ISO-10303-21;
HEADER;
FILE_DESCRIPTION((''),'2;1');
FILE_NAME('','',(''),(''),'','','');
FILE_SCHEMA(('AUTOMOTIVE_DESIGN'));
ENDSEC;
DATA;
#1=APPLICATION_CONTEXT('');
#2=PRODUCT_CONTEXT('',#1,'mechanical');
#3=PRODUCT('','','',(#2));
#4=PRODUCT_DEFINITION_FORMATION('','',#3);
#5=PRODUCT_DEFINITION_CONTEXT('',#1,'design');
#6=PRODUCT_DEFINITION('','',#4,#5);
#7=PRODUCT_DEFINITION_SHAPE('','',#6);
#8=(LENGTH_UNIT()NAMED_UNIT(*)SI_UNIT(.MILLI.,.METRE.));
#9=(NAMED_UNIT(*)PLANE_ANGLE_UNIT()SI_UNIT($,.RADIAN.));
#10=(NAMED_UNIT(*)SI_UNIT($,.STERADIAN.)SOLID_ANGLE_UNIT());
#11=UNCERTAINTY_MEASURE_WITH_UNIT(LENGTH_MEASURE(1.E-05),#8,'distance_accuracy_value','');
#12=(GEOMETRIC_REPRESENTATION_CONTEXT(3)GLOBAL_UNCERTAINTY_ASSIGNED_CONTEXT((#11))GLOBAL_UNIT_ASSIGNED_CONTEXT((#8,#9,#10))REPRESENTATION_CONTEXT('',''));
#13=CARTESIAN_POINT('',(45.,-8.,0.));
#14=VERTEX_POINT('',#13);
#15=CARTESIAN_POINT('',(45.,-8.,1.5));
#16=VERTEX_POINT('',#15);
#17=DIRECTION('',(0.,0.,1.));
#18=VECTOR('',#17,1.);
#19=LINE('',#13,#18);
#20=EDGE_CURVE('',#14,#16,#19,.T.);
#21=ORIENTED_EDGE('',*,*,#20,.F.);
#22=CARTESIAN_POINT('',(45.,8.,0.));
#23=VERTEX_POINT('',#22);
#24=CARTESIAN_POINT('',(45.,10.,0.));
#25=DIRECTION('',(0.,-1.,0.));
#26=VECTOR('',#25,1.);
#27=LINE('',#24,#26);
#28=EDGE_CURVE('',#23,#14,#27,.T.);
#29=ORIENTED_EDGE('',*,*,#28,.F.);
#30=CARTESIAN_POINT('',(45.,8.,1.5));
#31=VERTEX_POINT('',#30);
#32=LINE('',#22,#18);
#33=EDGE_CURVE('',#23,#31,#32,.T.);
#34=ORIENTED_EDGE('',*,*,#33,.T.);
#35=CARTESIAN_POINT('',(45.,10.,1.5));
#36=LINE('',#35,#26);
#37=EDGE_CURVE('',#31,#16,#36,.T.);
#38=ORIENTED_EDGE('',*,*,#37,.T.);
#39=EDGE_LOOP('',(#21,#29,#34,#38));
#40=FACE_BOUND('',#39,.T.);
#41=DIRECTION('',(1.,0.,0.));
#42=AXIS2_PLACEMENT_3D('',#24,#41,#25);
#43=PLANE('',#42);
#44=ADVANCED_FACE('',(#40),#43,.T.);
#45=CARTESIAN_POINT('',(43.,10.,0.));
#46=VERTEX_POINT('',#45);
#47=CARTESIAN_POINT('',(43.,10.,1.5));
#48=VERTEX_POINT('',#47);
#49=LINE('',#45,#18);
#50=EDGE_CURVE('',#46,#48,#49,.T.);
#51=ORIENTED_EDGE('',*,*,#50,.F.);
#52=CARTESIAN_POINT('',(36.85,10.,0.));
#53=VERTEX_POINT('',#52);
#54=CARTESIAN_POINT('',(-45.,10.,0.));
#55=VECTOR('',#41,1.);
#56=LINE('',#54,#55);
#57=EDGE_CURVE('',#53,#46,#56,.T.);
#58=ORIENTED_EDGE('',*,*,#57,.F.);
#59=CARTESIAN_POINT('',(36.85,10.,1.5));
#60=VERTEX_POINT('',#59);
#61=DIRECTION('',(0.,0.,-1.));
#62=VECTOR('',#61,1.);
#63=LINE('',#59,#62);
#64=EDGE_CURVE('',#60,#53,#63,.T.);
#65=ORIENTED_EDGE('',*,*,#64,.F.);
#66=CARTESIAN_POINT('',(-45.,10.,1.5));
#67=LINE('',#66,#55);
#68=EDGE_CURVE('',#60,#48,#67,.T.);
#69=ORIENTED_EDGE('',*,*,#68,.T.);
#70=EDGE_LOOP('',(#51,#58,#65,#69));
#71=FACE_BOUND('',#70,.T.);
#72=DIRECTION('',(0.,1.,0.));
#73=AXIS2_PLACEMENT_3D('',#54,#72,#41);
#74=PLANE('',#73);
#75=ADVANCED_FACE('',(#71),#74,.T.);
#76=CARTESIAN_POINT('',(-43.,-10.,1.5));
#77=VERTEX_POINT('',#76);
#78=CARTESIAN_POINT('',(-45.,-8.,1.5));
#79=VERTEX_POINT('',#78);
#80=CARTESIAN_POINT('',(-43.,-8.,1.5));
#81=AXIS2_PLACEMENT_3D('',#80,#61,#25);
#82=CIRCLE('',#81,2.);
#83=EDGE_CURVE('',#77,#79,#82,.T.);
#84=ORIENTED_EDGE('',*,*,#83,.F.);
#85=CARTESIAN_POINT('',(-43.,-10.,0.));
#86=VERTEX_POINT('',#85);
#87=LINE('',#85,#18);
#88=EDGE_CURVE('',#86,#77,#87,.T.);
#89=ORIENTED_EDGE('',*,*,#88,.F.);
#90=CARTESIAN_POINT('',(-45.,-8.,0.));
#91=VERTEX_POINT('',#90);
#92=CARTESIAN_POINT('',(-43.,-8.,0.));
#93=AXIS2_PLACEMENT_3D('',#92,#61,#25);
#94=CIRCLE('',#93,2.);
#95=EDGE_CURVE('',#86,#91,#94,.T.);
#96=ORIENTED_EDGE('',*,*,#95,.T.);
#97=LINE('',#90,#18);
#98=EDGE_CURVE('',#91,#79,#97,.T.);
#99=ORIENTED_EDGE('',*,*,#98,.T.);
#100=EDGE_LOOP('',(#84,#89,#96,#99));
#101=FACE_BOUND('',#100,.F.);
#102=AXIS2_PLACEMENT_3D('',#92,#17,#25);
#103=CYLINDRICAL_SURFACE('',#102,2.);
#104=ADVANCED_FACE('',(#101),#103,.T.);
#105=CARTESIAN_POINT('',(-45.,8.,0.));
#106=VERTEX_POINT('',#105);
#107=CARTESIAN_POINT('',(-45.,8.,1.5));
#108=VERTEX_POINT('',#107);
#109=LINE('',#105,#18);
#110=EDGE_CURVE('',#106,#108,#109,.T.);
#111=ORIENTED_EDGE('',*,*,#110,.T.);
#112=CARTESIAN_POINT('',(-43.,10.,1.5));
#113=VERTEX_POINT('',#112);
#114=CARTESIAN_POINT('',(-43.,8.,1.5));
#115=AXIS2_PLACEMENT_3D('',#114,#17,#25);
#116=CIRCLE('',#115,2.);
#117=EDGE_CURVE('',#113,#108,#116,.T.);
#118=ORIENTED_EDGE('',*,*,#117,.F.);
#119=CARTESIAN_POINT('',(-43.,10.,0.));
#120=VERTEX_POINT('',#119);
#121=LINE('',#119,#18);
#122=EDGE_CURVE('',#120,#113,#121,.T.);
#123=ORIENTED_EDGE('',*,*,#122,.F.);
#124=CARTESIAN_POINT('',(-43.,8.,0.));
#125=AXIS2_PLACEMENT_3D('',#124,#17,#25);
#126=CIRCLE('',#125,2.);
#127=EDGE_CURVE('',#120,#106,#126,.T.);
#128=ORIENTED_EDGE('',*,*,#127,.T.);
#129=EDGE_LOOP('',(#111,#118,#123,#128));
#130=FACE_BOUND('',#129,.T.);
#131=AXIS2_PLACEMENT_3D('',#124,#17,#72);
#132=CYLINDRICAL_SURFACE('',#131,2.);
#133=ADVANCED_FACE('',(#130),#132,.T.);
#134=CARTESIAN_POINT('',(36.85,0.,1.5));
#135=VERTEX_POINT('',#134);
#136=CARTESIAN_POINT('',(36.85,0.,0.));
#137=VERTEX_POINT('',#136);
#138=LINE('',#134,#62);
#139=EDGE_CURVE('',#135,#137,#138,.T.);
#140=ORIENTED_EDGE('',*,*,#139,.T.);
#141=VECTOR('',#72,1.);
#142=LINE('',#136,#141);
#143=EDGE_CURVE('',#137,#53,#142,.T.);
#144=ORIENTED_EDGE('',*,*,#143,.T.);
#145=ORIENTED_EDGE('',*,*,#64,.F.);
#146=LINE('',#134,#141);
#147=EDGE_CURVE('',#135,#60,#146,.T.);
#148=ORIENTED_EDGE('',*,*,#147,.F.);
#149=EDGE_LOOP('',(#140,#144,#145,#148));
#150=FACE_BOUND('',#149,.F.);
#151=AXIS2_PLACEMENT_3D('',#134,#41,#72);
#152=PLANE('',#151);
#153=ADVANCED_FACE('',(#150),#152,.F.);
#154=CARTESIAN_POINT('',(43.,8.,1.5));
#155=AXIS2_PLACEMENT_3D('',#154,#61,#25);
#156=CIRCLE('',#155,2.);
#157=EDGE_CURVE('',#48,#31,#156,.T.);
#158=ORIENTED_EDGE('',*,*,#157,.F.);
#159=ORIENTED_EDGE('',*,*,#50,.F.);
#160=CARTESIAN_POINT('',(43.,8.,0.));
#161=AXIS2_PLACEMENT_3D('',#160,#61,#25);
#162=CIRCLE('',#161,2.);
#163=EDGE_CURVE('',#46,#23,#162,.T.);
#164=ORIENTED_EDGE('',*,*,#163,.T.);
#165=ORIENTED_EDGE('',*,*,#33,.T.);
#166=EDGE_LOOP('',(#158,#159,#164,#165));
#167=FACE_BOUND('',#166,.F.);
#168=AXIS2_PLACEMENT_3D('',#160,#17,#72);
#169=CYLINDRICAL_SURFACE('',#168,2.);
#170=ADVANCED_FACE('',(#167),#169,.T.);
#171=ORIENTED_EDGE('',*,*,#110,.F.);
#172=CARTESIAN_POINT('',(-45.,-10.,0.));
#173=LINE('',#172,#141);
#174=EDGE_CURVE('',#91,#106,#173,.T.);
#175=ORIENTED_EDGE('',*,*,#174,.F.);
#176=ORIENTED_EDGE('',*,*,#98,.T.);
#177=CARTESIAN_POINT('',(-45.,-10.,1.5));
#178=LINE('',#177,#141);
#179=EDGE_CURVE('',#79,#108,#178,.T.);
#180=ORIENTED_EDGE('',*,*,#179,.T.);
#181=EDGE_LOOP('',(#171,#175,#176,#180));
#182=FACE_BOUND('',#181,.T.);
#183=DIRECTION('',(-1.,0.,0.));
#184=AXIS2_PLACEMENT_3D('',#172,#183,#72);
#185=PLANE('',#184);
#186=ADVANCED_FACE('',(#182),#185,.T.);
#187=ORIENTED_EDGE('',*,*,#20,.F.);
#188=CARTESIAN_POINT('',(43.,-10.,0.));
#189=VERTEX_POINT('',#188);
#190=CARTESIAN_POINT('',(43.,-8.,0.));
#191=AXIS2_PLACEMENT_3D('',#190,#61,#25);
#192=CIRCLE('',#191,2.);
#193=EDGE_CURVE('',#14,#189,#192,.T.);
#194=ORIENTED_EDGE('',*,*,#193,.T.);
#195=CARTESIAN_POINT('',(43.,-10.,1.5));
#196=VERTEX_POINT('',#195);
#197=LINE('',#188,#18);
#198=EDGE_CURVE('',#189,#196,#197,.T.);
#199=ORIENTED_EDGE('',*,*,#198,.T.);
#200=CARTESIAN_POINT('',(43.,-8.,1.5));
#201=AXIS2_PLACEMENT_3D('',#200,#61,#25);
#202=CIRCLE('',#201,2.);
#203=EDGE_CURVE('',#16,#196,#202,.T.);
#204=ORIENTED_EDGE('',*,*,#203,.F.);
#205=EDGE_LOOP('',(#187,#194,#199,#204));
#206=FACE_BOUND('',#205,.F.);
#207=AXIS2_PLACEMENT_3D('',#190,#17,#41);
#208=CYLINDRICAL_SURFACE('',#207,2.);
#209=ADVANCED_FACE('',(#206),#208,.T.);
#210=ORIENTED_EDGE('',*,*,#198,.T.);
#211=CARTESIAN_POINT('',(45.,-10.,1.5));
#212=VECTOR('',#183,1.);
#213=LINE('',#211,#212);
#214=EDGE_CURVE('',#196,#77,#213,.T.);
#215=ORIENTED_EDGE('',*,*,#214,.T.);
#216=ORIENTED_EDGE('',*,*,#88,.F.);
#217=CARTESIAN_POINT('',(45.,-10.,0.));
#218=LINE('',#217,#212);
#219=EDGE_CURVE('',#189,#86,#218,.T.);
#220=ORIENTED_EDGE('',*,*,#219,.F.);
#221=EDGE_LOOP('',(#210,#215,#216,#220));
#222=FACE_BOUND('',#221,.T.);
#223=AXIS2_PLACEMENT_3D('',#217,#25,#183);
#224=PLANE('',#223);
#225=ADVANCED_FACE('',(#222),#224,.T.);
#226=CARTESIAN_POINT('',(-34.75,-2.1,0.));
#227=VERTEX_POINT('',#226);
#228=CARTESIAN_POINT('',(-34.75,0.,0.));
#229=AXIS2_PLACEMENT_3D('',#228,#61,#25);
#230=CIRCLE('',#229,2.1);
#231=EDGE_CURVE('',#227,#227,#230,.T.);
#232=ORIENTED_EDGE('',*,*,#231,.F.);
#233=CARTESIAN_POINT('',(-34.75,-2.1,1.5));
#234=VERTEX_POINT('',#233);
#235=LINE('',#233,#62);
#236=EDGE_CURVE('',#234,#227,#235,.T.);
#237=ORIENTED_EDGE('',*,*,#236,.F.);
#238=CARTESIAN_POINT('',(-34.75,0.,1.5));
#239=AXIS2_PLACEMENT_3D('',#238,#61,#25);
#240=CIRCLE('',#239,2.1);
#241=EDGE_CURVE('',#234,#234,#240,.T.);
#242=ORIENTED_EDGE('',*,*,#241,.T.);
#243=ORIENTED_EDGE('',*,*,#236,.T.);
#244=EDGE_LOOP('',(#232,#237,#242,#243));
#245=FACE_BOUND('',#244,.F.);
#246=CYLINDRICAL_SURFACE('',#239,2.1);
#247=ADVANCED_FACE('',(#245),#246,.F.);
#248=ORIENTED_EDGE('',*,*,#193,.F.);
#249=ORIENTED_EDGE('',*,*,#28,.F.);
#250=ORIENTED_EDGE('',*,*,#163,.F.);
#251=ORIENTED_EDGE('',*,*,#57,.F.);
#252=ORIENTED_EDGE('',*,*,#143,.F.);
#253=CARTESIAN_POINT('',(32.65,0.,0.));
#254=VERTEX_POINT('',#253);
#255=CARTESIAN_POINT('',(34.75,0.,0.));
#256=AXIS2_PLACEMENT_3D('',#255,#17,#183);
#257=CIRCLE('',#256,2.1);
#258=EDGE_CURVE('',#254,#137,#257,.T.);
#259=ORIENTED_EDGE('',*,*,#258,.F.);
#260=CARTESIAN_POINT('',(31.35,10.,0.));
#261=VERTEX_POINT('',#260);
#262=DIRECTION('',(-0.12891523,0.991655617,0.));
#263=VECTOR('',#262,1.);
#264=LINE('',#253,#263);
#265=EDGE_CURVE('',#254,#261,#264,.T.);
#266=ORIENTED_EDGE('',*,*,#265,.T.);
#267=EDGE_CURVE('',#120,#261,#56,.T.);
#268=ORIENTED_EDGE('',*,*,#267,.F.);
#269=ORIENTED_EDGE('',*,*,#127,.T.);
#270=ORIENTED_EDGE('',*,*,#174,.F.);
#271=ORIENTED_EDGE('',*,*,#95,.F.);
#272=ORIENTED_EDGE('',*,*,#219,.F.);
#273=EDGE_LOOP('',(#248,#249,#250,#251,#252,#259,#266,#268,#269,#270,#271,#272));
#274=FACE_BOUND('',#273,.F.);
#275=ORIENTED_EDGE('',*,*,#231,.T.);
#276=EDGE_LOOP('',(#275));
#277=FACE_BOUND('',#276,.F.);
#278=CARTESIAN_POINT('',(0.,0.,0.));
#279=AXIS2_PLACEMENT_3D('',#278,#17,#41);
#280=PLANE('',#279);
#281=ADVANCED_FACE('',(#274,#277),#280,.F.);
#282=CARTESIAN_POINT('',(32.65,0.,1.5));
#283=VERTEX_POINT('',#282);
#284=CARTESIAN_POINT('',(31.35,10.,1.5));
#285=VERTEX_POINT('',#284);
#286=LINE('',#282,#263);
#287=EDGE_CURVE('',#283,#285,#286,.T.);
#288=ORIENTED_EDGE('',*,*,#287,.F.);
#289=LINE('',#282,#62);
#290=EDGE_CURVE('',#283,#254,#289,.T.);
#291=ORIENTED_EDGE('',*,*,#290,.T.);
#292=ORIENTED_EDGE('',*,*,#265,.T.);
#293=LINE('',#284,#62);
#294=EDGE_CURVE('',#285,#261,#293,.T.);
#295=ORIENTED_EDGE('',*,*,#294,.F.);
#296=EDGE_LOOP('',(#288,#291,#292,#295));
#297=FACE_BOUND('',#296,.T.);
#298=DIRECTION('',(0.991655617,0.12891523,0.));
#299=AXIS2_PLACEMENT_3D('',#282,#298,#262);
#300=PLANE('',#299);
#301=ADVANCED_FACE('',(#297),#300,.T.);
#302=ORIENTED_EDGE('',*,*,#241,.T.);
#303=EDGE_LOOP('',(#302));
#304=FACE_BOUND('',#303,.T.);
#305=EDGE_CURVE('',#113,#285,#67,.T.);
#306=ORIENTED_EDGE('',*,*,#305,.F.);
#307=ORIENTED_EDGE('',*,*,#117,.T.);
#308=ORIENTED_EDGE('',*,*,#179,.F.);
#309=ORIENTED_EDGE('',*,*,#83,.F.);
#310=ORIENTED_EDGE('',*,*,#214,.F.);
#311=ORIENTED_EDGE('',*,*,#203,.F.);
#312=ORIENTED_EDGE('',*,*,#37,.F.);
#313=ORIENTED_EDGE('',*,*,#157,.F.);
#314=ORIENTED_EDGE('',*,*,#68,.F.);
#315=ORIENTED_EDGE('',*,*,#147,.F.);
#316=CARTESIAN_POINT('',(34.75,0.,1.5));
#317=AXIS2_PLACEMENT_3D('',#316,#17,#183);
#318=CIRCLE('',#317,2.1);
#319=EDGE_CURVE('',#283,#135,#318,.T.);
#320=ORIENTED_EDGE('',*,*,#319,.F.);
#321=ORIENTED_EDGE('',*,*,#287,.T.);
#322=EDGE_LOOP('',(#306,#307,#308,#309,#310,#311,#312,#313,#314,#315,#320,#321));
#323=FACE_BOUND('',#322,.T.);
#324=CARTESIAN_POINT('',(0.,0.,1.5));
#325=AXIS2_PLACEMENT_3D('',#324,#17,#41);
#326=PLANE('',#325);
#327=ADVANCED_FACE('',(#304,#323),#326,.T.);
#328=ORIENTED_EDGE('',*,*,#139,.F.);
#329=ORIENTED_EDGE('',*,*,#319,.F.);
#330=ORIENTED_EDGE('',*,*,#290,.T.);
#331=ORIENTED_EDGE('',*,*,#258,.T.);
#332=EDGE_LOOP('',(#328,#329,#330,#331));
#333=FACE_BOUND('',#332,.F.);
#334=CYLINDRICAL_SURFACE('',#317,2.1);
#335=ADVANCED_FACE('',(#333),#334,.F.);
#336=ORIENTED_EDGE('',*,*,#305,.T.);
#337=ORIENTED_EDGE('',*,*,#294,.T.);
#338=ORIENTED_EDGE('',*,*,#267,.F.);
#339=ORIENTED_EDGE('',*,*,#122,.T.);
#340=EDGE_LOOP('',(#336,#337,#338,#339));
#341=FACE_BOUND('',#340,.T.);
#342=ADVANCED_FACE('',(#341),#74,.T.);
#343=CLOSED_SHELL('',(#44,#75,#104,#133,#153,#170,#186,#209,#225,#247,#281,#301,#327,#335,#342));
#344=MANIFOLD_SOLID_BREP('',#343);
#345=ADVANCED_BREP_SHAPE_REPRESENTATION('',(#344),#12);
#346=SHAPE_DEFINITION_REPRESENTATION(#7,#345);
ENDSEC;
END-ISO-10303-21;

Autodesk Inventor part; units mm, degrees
ref_plane "YZ Plane" through (0, 0, 0) normal (1, 0, 0) x (0, 1, 0)
ref_plane "XZ Plane" through (0, 0, 0) normal (0, 1, 0) x (-1, 0, 0)
ref_plane "XY Plane" through (0, 0, 0) normal (0, 0, 1) x (1, 0, 0)
sketch "Sketch1" plane through (0, 0, 0) normal (0, 0, 1) x (1, 0, 0)
  line L0 (-45, 10) -> (45, 10)
  line L1 (45, 10) -> (45, -10)
  line L2 (45, -10) -> (-45, -10)
  line L3 (-45, -10) -> (-45, 10)
  line L4 (0, 0) -> (0, 7.2508) construction
  line L5 (0, 0) -> (8.0596, 0) construction
  dimension "d0" = 90
  dimension "d1" = 20
extrude "Plate1" add sketch "Sketch1" along normal blind 1.5
fillet "Fillet1" radius 2 4 edges at (45, 10, 0.75) (45, -10, 0.75) (-45, -10, 0.75) (-45, 10, 0.75)
sketch "Sketch2" plane through (0, 0, 1.5) normal (0, 0, 1) x (1, 0, 0)
  line L0 (-45, -8) -> (-45, 8) projected
  line L1 (45, 8) -> (45, -8) projected
  arc A0 (32.65, 0) -> (36.85, 0) centre (34.75, 0) ccw
  line L2 (36.85, 0) -> (36.85, 10)
  line L3 (32.65, 0) -> (32.65, 10)
  line L4 (43, -10) -> (-43, -10) projected
  line L5 (-43, 10) -> (43, 10) projected
  point P0 (0, 0)
  dimension "d5" = 10.25
  dimension "d6" = 4.2
  dimension "d7" = 10
extrude "Cut1" cut sketch "Sketch2" against normal blind 1.5
sketch "Sketch3" plane through (0, 0, 1.5) normal (0, 0, 1) x (1, 0, 0)
  line L0 (-45, -8) -> (-45, 8) projected
  point P0 (0, 0)
  point P1 (-34.75, 0)
  dimension "d10" = 10.25
hole "Hole1" at (-34.75, 0, 1.5) direction (0, 0, -1) diameter 4.2 depth 1.5 tip angle 118
sketch "Sketch5" plane through (0, 0, 1.5) normal (0, 0, 1) x (1, 0, 0)
  circle A0 centre (34.0345, 9.9478) radius 2.121 projected
  arc A1 (32.65, 0) -> (36.85, 0) centre (34.75, 0) ccw projected
  line L0 (34.75, 0) -> (34.0345, 9.9478)
  line L1 (32.65, 0) -> (31.9141, 10)
  line L2 (-43, 10) -> (32.65, 10) projected
  line L3 (36.85, 0) -> (36.1504, 10.0945)
  line L4 (32.65, 0) -> (32.65, 10) projected
  line L5 (32.65, 0) -> (32.65, 10)
  line L6 (32.65, 10) -> (31.9141, 10)
  line L7 (32.65, 10) -> (32.65, 0) projected
  line L8 (32.65, 0) -> (31.35, 10)
  line L9 (-43, 10) -> (32.65, 10) projected
  line L10 (31.35, 10) -> (32.65, 10)
  point P0 (0, 0)
  dimension "d20" = 1.3
extrude "Cut2" cut sketch "Sketch5" against normal blind 1.5 contours L1 A0 | L2 L4 A0 L1 | A0 L1 L8 L2 | L4 L1 A0
equation "\"d8\" = Thickness"
equation "\"d16\" = Thickness"
equation "\"d18\" = Thickness"
equation "\"d2\" = Thickness"
equation "\"BendRadius\" = Thickness"
equation "\"BendReliefWidth\" = Thickness"
equation "\"BendReliefDepth\" = 0.5 * Thickness"
equation "\"CornerReliefSize\" = 4 * Thickness"
equation "\"MinimumRemnant\" = 2 * Thickness"
equation "\"TransitionRadius\" = BendRadius"
equation "\"JacobiRadiusSize\" = BendRadius"
equation "\"GapSize\" = Thickness"
equation "\"Thickness\" = 1.5"
properties part number "3d_LM-Welding_Tooling -  Tab" material "Aluminium 6061-T6"
